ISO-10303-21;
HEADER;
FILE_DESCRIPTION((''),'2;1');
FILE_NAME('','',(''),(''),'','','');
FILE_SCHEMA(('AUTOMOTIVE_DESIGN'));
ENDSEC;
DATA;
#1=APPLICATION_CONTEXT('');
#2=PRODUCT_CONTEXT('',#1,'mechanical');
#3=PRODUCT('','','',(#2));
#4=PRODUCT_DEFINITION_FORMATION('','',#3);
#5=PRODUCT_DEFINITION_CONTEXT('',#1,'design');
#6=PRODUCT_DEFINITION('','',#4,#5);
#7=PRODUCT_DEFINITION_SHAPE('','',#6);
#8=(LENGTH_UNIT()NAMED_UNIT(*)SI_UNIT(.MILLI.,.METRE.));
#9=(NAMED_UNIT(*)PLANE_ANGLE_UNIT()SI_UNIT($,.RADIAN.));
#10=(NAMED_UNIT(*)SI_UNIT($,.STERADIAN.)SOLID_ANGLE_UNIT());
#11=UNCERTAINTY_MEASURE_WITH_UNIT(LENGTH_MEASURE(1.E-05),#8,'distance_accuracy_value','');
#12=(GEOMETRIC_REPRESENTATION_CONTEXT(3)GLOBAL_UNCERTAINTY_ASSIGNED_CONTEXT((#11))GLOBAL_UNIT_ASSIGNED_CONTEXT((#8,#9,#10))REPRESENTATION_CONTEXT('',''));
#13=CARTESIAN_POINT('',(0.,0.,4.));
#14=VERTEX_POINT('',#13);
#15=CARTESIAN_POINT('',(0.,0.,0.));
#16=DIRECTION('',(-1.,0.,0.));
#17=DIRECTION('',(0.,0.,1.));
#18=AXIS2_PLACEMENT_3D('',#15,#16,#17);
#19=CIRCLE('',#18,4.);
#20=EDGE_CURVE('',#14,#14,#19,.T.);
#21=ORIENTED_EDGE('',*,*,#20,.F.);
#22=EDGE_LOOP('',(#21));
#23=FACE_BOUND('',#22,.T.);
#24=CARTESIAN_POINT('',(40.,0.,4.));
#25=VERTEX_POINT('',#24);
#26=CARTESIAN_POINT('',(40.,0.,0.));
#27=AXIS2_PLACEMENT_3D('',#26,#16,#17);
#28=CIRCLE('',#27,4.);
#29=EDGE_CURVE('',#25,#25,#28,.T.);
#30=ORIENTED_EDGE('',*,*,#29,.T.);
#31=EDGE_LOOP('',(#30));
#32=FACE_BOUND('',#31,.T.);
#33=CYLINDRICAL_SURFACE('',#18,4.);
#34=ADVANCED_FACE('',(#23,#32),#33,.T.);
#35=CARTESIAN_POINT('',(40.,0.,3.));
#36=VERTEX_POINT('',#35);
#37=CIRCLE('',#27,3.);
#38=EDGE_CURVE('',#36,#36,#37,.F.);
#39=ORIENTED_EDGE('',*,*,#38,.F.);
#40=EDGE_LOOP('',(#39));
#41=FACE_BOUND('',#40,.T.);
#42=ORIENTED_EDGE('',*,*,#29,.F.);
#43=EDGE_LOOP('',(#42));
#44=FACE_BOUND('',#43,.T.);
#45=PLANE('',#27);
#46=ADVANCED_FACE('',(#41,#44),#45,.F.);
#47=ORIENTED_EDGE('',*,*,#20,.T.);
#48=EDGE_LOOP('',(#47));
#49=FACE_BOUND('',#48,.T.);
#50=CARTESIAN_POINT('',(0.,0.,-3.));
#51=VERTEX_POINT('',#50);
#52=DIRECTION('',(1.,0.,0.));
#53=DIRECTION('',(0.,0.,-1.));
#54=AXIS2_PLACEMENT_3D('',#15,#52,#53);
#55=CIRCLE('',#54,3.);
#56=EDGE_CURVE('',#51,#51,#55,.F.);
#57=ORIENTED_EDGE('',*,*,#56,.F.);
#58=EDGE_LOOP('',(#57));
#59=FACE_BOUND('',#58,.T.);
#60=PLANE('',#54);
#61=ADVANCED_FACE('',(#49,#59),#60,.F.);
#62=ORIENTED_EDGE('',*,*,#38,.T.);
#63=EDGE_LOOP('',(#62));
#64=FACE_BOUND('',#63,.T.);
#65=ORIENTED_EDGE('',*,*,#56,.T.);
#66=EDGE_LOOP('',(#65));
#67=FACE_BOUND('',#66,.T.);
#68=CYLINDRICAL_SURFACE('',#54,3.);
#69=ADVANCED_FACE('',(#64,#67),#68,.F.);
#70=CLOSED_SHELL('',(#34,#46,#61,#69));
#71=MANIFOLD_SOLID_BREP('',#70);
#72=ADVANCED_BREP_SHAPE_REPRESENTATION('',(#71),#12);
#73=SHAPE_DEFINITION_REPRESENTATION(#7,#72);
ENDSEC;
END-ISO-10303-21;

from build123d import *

# Parameters (mm, degrees)
SKETCH1_W = 40
SKETCH1_H = 4


with BuildPart() as part:
    # Sketch1 → Revolve1 (revolve)
    with BuildSketch(Plane.XY, mode=Mode.PRIVATE) as revolve1_sk:
        with Locations((20, 2)):
            Rectangle(SKETCH1_W, SKETCH1_H)
    revolve(revolve1_sk.sketch.rotate(Axis((0, 0, 0), (1, 0, 0)), 90), axis=Axis((0, 0, 0), (1, 0, 0)))

    # SurfaceCut1: cut with a surface, the side it looks to stays
    # Surface-Revolve1: a surface, the sketch's curves turned about an axis
    with BuildLine(Plane.XY, mode=Mode.PRIVATE) as surface_revolve1_1_path:
        Line((0, 3), (40, 3))
    surface_revolve1_1 = Shell.revolve(surface_revolve1_1_path.wire(), 360, Axis((0, 0, 0), (1, 0, 0)))
    split(bisect_by=surface_revolve1_1, keep=Keep.TOP)


solid = part.part
